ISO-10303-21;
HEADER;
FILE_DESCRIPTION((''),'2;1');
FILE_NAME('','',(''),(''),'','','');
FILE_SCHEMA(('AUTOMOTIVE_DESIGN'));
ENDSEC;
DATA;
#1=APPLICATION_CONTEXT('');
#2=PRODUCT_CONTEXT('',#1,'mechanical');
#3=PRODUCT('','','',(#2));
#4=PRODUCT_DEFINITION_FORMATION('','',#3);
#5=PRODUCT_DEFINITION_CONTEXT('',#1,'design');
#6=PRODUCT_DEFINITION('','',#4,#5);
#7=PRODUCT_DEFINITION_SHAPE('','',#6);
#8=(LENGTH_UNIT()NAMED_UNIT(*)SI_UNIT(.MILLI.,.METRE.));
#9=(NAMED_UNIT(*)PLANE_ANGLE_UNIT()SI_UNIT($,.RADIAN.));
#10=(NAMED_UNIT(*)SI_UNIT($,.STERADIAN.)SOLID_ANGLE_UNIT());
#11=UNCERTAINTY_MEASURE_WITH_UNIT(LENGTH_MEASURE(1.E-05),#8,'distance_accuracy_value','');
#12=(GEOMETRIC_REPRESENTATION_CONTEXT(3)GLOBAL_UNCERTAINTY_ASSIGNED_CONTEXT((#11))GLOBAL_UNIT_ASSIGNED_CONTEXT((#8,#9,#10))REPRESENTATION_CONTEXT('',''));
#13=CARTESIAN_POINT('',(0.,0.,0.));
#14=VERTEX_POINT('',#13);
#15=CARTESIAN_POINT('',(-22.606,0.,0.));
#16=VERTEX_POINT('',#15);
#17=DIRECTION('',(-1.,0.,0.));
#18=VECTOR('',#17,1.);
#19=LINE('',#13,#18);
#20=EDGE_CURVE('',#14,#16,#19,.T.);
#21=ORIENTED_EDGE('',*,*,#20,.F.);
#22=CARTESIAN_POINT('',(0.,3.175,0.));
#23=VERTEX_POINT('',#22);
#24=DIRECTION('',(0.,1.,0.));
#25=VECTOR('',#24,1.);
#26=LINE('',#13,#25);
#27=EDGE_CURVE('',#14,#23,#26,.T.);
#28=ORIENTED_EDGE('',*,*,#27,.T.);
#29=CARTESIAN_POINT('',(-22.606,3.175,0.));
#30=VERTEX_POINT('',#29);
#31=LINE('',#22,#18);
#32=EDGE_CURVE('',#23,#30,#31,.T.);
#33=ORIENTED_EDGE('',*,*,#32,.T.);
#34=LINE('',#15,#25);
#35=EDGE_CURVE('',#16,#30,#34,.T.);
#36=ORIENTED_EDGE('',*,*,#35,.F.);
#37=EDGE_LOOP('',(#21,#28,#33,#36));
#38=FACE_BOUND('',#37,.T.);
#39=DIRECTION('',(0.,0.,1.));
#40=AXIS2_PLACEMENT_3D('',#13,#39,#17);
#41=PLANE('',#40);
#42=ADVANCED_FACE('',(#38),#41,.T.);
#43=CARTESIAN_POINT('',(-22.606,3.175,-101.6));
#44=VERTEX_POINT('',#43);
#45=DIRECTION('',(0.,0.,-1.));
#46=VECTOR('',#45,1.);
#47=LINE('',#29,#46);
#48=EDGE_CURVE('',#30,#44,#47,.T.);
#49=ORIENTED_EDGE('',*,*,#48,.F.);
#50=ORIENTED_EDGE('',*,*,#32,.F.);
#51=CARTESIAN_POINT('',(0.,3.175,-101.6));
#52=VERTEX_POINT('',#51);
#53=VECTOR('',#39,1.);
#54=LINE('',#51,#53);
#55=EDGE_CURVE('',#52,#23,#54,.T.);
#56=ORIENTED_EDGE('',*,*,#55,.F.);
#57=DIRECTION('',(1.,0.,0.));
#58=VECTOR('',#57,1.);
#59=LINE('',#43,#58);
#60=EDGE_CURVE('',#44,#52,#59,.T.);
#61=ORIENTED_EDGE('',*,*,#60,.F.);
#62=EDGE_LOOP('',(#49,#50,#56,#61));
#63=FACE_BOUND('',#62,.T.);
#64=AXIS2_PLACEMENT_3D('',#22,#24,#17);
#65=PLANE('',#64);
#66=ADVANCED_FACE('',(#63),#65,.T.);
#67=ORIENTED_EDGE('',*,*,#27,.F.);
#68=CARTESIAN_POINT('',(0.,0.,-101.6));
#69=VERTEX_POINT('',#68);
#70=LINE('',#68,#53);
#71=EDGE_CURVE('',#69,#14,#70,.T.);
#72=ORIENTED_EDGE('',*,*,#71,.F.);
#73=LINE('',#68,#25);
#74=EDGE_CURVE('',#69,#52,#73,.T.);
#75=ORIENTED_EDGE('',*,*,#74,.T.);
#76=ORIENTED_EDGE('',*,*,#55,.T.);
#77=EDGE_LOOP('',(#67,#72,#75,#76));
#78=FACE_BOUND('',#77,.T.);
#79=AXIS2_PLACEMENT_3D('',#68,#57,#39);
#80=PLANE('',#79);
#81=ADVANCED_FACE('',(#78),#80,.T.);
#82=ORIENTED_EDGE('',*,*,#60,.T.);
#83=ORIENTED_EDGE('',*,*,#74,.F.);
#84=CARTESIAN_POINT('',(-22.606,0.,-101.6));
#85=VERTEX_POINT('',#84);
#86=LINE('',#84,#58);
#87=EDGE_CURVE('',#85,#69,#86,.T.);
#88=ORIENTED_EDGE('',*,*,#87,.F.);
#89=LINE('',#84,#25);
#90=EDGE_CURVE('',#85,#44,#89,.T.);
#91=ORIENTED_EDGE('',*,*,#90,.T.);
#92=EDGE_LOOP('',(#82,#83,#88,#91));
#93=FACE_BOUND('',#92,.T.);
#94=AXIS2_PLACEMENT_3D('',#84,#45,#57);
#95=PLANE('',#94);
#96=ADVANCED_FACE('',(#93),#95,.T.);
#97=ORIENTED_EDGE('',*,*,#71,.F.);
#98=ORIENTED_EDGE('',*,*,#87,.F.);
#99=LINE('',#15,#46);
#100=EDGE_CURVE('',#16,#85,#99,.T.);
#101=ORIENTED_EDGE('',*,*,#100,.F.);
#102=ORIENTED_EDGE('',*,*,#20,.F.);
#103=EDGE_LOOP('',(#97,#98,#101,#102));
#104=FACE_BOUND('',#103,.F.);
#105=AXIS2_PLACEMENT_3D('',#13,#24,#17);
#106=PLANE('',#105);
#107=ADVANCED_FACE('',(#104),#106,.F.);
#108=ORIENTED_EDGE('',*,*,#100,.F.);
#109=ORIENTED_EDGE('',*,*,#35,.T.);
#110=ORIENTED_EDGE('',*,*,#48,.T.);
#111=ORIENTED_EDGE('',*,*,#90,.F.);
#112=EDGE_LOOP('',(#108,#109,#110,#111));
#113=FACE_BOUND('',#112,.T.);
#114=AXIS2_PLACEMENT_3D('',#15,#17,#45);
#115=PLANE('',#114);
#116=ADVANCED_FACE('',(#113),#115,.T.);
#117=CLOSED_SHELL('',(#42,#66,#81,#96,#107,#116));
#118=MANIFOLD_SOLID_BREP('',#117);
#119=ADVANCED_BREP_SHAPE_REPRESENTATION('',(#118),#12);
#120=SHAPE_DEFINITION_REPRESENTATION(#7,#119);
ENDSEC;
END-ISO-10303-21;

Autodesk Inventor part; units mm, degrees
ref_plane "YZ Plane" through (0, 0, 0) normal (1, 0, 0) x (0, 1, 0)
ref_plane "XZ Plane" through (0, 0, 0) normal (0, 1, 0) x (-1, 0, 0)
ref_plane "XY Plane" through (0, 0, 0) normal (0, 0, 1) x (1, 0, 0)
sketch "Sketch1" plane through (0, 0, 0) normal (0, 1, 0) x (-1, 0, 0)
  line L0 (0, 0) -> (22.606, 0)
  line L1 (22.606, 0) -> (22.606, -101.6)
  line L2 (22.606, -101.6) -> (0, -101.6)
  line L3 (0, -101.6) -> (0, 0)
  dimension "d0" = 22.606
  dimension "d1" = 101.6
extrude "Extrusion1" add sketch "Sketch1" along normal blind 3.175
properties part number "cameraMetalExtender"
